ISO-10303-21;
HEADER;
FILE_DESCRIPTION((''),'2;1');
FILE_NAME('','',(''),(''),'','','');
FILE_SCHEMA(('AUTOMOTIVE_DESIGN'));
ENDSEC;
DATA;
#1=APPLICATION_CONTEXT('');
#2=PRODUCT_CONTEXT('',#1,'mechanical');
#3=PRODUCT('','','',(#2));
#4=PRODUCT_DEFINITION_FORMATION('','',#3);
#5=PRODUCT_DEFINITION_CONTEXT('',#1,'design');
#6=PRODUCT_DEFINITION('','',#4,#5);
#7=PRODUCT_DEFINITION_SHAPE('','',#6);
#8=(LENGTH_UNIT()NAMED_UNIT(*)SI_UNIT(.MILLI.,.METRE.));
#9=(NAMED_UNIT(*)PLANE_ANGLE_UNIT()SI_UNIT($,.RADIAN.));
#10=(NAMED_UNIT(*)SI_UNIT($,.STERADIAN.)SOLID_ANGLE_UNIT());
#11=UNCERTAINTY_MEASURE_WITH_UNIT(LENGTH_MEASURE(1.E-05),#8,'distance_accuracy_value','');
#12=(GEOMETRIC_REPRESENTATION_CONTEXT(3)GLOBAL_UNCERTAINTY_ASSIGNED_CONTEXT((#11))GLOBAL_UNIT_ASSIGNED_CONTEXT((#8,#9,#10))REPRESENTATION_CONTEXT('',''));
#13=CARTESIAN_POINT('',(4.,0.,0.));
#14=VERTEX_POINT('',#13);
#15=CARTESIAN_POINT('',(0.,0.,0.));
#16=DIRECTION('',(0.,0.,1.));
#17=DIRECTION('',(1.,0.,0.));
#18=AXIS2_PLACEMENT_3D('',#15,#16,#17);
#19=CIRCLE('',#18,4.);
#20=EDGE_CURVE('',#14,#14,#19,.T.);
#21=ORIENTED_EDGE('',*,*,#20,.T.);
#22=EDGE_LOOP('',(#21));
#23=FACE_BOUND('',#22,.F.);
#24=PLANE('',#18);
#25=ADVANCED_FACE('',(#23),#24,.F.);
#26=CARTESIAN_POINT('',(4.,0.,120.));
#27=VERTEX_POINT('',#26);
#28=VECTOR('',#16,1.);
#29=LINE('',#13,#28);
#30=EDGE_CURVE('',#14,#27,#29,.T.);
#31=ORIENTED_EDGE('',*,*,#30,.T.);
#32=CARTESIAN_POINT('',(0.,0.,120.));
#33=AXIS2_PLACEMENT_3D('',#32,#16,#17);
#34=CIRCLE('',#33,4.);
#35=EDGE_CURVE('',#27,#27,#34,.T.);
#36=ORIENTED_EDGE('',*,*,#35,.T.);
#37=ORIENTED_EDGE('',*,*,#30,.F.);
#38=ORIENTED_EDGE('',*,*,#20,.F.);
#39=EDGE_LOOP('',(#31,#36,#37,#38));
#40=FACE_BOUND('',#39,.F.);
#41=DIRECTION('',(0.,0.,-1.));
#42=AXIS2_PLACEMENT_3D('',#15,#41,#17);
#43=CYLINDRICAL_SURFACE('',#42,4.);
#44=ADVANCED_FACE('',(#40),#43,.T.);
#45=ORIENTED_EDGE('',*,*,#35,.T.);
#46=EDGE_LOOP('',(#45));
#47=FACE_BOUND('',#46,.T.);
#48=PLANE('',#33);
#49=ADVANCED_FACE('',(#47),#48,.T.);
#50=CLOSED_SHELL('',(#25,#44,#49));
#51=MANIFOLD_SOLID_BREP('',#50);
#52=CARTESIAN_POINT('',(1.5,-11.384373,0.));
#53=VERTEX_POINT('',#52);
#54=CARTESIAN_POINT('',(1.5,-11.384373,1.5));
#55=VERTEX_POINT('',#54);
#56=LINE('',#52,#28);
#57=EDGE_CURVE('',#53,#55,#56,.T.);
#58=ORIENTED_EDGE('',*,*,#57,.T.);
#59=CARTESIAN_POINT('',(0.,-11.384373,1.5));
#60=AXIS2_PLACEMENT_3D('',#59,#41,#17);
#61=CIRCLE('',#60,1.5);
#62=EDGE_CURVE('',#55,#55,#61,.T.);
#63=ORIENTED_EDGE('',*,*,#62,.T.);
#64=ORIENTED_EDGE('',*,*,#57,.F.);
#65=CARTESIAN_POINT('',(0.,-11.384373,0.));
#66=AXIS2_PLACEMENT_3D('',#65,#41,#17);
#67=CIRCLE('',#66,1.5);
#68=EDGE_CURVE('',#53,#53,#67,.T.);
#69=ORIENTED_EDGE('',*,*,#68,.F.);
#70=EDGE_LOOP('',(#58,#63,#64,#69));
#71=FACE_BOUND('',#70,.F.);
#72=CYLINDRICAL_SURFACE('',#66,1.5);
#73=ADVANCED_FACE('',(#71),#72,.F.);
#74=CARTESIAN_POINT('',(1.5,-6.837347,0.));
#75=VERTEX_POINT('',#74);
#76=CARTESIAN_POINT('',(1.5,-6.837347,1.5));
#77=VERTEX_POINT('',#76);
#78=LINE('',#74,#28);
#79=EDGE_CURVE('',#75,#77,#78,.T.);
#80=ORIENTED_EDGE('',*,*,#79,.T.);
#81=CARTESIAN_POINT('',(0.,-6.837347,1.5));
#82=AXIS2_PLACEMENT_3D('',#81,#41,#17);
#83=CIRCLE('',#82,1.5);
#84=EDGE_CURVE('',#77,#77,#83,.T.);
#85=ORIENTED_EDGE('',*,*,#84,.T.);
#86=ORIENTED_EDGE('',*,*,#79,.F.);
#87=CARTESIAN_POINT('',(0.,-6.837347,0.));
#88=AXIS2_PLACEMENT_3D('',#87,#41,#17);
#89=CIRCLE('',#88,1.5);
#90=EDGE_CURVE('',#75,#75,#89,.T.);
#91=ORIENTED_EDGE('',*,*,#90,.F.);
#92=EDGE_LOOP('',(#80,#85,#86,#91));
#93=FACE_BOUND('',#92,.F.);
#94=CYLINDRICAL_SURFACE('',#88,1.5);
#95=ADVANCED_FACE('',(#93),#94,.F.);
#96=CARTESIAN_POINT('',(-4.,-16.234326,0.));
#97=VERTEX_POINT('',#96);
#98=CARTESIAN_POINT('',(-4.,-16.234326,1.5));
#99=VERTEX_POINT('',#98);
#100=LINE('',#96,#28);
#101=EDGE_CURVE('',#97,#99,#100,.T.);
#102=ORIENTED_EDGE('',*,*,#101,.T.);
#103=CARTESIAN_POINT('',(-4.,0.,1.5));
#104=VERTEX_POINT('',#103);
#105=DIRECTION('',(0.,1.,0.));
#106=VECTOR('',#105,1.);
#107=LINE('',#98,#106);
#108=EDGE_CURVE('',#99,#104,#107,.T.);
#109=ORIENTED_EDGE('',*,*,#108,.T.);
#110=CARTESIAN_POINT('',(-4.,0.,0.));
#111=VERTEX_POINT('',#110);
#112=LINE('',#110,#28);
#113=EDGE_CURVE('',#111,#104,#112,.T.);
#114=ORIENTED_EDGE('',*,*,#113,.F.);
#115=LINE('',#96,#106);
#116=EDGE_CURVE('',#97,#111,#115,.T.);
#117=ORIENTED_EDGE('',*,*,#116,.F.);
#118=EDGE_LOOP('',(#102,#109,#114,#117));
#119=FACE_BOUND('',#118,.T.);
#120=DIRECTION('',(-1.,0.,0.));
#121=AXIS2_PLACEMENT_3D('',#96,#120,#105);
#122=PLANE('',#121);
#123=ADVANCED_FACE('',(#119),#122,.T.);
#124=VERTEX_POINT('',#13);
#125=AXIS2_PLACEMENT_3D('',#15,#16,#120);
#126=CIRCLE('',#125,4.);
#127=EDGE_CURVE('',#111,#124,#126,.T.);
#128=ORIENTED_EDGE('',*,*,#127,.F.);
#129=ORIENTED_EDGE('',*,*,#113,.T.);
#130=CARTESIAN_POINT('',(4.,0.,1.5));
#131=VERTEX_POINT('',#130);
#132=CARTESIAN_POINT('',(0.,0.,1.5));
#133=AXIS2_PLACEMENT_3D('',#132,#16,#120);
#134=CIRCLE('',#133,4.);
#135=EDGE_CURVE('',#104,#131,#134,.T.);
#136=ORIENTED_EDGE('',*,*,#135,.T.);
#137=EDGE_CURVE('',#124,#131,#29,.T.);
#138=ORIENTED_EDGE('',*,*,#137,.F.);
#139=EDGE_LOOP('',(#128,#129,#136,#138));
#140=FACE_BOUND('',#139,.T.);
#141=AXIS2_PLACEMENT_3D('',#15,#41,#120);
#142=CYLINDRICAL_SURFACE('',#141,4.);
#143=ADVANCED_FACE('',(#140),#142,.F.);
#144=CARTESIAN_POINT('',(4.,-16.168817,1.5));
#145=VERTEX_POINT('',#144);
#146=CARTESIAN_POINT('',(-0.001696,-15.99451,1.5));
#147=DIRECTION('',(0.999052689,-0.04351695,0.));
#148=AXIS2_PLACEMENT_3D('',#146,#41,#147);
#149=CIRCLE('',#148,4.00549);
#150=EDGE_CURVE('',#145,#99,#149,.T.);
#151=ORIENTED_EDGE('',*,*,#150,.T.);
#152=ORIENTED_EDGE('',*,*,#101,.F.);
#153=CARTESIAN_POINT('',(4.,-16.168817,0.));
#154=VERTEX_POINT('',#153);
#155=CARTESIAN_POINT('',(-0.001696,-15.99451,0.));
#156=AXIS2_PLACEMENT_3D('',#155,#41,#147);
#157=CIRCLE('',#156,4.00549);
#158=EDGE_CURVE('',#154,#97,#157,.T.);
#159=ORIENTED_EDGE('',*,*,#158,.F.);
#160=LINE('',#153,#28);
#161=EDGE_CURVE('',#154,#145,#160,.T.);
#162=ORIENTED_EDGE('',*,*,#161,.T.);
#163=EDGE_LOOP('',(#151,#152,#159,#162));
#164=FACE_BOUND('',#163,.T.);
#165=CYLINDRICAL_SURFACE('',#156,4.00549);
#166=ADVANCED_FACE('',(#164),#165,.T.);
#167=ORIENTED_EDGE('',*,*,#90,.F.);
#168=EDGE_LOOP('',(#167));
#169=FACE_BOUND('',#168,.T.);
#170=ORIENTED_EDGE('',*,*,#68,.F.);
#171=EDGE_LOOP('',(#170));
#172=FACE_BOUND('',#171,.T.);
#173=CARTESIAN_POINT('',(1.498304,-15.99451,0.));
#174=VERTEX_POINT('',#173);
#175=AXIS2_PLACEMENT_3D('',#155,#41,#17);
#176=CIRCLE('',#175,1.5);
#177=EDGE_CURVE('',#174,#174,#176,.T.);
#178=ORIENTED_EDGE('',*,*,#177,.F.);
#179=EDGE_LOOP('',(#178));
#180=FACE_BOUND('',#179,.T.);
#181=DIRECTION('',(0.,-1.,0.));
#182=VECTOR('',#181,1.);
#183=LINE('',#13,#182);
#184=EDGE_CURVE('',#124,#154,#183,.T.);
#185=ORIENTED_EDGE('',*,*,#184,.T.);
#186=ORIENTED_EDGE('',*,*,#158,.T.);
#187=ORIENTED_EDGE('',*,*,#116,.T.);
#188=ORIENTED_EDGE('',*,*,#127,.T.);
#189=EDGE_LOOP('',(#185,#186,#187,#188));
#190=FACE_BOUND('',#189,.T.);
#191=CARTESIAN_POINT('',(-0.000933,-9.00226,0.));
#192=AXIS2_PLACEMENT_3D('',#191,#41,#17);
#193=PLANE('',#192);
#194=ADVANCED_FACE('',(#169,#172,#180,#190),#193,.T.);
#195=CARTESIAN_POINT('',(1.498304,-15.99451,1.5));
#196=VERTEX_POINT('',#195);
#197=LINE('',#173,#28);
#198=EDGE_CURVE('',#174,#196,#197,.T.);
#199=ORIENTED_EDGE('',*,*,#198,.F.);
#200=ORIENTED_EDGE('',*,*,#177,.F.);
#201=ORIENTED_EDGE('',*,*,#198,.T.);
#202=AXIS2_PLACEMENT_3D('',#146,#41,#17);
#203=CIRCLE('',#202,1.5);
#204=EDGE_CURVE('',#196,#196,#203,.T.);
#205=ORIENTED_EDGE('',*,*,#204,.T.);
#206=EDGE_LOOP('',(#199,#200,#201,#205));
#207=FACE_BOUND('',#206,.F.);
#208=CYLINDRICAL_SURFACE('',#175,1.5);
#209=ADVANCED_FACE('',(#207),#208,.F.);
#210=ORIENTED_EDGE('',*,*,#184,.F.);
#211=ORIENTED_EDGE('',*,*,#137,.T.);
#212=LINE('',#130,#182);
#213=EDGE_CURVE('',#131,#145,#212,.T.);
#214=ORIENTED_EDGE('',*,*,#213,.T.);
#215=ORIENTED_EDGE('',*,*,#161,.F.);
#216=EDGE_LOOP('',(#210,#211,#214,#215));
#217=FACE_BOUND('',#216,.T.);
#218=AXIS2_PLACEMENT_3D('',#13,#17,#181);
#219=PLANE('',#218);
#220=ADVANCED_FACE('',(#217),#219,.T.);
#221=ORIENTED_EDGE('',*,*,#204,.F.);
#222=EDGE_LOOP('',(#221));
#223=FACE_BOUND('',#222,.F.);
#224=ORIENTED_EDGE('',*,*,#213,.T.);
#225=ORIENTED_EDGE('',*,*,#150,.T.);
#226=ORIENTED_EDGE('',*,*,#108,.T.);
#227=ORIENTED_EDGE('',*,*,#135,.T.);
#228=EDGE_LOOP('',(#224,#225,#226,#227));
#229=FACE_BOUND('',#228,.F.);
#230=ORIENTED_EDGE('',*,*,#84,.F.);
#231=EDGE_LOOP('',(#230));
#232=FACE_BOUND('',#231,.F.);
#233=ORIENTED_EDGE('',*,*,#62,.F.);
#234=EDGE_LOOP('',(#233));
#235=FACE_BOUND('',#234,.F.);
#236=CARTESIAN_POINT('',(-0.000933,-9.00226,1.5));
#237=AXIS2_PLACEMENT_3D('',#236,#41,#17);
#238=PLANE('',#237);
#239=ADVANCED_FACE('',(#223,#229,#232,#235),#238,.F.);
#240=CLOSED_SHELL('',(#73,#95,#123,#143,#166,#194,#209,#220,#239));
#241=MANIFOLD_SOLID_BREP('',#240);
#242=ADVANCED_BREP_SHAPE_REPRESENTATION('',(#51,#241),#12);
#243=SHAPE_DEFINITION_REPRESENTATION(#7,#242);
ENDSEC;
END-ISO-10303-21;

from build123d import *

# Parameters (mm, degrees)
F0_R     = 4
F1_DEPTH = 120
F2_R     = 1.5
F3_DEPTH = 1.5


with BuildPart() as f1:
    # F0 (on Top) → F1 (new body)
    with BuildSketch(Plane.XY):
        Circle(F0_R)
    extrude(amount=F1_DEPTH)


with BuildPart() as f3:
    # F2 (on face) → F3 (new body)
    with BuildSketch(Plane(origin=(0, 0, 0), x_dir=(1, 0, 0), z_dir=(0, 0, -1))):
        with BuildLine():
            Line((-4, 16.234326), (-4, 0))
            ThreePointArc((-4, 0), (0, 4), (4, 0))
            Line((4, 0), (4, 16.168817))
            ThreePointArc((4, 16.168817), (0.031103, 19.999866), (-4, 16.234326))
        make_face()
        with Locations((0, 6.837347)):
            Circle(F2_R, mode=Mode.SUBTRACT)
        with Locations((-0.001696, 15.99451)):
            Circle(F2_R, mode=Mode.SUBTRACT)
        with Locations((0, 11.384373)):
            Circle(F2_R, mode=Mode.SUBTRACT)
    extrude(amount=-F3_DEPTH)


solid = Compound([f1.part, f3.part])
